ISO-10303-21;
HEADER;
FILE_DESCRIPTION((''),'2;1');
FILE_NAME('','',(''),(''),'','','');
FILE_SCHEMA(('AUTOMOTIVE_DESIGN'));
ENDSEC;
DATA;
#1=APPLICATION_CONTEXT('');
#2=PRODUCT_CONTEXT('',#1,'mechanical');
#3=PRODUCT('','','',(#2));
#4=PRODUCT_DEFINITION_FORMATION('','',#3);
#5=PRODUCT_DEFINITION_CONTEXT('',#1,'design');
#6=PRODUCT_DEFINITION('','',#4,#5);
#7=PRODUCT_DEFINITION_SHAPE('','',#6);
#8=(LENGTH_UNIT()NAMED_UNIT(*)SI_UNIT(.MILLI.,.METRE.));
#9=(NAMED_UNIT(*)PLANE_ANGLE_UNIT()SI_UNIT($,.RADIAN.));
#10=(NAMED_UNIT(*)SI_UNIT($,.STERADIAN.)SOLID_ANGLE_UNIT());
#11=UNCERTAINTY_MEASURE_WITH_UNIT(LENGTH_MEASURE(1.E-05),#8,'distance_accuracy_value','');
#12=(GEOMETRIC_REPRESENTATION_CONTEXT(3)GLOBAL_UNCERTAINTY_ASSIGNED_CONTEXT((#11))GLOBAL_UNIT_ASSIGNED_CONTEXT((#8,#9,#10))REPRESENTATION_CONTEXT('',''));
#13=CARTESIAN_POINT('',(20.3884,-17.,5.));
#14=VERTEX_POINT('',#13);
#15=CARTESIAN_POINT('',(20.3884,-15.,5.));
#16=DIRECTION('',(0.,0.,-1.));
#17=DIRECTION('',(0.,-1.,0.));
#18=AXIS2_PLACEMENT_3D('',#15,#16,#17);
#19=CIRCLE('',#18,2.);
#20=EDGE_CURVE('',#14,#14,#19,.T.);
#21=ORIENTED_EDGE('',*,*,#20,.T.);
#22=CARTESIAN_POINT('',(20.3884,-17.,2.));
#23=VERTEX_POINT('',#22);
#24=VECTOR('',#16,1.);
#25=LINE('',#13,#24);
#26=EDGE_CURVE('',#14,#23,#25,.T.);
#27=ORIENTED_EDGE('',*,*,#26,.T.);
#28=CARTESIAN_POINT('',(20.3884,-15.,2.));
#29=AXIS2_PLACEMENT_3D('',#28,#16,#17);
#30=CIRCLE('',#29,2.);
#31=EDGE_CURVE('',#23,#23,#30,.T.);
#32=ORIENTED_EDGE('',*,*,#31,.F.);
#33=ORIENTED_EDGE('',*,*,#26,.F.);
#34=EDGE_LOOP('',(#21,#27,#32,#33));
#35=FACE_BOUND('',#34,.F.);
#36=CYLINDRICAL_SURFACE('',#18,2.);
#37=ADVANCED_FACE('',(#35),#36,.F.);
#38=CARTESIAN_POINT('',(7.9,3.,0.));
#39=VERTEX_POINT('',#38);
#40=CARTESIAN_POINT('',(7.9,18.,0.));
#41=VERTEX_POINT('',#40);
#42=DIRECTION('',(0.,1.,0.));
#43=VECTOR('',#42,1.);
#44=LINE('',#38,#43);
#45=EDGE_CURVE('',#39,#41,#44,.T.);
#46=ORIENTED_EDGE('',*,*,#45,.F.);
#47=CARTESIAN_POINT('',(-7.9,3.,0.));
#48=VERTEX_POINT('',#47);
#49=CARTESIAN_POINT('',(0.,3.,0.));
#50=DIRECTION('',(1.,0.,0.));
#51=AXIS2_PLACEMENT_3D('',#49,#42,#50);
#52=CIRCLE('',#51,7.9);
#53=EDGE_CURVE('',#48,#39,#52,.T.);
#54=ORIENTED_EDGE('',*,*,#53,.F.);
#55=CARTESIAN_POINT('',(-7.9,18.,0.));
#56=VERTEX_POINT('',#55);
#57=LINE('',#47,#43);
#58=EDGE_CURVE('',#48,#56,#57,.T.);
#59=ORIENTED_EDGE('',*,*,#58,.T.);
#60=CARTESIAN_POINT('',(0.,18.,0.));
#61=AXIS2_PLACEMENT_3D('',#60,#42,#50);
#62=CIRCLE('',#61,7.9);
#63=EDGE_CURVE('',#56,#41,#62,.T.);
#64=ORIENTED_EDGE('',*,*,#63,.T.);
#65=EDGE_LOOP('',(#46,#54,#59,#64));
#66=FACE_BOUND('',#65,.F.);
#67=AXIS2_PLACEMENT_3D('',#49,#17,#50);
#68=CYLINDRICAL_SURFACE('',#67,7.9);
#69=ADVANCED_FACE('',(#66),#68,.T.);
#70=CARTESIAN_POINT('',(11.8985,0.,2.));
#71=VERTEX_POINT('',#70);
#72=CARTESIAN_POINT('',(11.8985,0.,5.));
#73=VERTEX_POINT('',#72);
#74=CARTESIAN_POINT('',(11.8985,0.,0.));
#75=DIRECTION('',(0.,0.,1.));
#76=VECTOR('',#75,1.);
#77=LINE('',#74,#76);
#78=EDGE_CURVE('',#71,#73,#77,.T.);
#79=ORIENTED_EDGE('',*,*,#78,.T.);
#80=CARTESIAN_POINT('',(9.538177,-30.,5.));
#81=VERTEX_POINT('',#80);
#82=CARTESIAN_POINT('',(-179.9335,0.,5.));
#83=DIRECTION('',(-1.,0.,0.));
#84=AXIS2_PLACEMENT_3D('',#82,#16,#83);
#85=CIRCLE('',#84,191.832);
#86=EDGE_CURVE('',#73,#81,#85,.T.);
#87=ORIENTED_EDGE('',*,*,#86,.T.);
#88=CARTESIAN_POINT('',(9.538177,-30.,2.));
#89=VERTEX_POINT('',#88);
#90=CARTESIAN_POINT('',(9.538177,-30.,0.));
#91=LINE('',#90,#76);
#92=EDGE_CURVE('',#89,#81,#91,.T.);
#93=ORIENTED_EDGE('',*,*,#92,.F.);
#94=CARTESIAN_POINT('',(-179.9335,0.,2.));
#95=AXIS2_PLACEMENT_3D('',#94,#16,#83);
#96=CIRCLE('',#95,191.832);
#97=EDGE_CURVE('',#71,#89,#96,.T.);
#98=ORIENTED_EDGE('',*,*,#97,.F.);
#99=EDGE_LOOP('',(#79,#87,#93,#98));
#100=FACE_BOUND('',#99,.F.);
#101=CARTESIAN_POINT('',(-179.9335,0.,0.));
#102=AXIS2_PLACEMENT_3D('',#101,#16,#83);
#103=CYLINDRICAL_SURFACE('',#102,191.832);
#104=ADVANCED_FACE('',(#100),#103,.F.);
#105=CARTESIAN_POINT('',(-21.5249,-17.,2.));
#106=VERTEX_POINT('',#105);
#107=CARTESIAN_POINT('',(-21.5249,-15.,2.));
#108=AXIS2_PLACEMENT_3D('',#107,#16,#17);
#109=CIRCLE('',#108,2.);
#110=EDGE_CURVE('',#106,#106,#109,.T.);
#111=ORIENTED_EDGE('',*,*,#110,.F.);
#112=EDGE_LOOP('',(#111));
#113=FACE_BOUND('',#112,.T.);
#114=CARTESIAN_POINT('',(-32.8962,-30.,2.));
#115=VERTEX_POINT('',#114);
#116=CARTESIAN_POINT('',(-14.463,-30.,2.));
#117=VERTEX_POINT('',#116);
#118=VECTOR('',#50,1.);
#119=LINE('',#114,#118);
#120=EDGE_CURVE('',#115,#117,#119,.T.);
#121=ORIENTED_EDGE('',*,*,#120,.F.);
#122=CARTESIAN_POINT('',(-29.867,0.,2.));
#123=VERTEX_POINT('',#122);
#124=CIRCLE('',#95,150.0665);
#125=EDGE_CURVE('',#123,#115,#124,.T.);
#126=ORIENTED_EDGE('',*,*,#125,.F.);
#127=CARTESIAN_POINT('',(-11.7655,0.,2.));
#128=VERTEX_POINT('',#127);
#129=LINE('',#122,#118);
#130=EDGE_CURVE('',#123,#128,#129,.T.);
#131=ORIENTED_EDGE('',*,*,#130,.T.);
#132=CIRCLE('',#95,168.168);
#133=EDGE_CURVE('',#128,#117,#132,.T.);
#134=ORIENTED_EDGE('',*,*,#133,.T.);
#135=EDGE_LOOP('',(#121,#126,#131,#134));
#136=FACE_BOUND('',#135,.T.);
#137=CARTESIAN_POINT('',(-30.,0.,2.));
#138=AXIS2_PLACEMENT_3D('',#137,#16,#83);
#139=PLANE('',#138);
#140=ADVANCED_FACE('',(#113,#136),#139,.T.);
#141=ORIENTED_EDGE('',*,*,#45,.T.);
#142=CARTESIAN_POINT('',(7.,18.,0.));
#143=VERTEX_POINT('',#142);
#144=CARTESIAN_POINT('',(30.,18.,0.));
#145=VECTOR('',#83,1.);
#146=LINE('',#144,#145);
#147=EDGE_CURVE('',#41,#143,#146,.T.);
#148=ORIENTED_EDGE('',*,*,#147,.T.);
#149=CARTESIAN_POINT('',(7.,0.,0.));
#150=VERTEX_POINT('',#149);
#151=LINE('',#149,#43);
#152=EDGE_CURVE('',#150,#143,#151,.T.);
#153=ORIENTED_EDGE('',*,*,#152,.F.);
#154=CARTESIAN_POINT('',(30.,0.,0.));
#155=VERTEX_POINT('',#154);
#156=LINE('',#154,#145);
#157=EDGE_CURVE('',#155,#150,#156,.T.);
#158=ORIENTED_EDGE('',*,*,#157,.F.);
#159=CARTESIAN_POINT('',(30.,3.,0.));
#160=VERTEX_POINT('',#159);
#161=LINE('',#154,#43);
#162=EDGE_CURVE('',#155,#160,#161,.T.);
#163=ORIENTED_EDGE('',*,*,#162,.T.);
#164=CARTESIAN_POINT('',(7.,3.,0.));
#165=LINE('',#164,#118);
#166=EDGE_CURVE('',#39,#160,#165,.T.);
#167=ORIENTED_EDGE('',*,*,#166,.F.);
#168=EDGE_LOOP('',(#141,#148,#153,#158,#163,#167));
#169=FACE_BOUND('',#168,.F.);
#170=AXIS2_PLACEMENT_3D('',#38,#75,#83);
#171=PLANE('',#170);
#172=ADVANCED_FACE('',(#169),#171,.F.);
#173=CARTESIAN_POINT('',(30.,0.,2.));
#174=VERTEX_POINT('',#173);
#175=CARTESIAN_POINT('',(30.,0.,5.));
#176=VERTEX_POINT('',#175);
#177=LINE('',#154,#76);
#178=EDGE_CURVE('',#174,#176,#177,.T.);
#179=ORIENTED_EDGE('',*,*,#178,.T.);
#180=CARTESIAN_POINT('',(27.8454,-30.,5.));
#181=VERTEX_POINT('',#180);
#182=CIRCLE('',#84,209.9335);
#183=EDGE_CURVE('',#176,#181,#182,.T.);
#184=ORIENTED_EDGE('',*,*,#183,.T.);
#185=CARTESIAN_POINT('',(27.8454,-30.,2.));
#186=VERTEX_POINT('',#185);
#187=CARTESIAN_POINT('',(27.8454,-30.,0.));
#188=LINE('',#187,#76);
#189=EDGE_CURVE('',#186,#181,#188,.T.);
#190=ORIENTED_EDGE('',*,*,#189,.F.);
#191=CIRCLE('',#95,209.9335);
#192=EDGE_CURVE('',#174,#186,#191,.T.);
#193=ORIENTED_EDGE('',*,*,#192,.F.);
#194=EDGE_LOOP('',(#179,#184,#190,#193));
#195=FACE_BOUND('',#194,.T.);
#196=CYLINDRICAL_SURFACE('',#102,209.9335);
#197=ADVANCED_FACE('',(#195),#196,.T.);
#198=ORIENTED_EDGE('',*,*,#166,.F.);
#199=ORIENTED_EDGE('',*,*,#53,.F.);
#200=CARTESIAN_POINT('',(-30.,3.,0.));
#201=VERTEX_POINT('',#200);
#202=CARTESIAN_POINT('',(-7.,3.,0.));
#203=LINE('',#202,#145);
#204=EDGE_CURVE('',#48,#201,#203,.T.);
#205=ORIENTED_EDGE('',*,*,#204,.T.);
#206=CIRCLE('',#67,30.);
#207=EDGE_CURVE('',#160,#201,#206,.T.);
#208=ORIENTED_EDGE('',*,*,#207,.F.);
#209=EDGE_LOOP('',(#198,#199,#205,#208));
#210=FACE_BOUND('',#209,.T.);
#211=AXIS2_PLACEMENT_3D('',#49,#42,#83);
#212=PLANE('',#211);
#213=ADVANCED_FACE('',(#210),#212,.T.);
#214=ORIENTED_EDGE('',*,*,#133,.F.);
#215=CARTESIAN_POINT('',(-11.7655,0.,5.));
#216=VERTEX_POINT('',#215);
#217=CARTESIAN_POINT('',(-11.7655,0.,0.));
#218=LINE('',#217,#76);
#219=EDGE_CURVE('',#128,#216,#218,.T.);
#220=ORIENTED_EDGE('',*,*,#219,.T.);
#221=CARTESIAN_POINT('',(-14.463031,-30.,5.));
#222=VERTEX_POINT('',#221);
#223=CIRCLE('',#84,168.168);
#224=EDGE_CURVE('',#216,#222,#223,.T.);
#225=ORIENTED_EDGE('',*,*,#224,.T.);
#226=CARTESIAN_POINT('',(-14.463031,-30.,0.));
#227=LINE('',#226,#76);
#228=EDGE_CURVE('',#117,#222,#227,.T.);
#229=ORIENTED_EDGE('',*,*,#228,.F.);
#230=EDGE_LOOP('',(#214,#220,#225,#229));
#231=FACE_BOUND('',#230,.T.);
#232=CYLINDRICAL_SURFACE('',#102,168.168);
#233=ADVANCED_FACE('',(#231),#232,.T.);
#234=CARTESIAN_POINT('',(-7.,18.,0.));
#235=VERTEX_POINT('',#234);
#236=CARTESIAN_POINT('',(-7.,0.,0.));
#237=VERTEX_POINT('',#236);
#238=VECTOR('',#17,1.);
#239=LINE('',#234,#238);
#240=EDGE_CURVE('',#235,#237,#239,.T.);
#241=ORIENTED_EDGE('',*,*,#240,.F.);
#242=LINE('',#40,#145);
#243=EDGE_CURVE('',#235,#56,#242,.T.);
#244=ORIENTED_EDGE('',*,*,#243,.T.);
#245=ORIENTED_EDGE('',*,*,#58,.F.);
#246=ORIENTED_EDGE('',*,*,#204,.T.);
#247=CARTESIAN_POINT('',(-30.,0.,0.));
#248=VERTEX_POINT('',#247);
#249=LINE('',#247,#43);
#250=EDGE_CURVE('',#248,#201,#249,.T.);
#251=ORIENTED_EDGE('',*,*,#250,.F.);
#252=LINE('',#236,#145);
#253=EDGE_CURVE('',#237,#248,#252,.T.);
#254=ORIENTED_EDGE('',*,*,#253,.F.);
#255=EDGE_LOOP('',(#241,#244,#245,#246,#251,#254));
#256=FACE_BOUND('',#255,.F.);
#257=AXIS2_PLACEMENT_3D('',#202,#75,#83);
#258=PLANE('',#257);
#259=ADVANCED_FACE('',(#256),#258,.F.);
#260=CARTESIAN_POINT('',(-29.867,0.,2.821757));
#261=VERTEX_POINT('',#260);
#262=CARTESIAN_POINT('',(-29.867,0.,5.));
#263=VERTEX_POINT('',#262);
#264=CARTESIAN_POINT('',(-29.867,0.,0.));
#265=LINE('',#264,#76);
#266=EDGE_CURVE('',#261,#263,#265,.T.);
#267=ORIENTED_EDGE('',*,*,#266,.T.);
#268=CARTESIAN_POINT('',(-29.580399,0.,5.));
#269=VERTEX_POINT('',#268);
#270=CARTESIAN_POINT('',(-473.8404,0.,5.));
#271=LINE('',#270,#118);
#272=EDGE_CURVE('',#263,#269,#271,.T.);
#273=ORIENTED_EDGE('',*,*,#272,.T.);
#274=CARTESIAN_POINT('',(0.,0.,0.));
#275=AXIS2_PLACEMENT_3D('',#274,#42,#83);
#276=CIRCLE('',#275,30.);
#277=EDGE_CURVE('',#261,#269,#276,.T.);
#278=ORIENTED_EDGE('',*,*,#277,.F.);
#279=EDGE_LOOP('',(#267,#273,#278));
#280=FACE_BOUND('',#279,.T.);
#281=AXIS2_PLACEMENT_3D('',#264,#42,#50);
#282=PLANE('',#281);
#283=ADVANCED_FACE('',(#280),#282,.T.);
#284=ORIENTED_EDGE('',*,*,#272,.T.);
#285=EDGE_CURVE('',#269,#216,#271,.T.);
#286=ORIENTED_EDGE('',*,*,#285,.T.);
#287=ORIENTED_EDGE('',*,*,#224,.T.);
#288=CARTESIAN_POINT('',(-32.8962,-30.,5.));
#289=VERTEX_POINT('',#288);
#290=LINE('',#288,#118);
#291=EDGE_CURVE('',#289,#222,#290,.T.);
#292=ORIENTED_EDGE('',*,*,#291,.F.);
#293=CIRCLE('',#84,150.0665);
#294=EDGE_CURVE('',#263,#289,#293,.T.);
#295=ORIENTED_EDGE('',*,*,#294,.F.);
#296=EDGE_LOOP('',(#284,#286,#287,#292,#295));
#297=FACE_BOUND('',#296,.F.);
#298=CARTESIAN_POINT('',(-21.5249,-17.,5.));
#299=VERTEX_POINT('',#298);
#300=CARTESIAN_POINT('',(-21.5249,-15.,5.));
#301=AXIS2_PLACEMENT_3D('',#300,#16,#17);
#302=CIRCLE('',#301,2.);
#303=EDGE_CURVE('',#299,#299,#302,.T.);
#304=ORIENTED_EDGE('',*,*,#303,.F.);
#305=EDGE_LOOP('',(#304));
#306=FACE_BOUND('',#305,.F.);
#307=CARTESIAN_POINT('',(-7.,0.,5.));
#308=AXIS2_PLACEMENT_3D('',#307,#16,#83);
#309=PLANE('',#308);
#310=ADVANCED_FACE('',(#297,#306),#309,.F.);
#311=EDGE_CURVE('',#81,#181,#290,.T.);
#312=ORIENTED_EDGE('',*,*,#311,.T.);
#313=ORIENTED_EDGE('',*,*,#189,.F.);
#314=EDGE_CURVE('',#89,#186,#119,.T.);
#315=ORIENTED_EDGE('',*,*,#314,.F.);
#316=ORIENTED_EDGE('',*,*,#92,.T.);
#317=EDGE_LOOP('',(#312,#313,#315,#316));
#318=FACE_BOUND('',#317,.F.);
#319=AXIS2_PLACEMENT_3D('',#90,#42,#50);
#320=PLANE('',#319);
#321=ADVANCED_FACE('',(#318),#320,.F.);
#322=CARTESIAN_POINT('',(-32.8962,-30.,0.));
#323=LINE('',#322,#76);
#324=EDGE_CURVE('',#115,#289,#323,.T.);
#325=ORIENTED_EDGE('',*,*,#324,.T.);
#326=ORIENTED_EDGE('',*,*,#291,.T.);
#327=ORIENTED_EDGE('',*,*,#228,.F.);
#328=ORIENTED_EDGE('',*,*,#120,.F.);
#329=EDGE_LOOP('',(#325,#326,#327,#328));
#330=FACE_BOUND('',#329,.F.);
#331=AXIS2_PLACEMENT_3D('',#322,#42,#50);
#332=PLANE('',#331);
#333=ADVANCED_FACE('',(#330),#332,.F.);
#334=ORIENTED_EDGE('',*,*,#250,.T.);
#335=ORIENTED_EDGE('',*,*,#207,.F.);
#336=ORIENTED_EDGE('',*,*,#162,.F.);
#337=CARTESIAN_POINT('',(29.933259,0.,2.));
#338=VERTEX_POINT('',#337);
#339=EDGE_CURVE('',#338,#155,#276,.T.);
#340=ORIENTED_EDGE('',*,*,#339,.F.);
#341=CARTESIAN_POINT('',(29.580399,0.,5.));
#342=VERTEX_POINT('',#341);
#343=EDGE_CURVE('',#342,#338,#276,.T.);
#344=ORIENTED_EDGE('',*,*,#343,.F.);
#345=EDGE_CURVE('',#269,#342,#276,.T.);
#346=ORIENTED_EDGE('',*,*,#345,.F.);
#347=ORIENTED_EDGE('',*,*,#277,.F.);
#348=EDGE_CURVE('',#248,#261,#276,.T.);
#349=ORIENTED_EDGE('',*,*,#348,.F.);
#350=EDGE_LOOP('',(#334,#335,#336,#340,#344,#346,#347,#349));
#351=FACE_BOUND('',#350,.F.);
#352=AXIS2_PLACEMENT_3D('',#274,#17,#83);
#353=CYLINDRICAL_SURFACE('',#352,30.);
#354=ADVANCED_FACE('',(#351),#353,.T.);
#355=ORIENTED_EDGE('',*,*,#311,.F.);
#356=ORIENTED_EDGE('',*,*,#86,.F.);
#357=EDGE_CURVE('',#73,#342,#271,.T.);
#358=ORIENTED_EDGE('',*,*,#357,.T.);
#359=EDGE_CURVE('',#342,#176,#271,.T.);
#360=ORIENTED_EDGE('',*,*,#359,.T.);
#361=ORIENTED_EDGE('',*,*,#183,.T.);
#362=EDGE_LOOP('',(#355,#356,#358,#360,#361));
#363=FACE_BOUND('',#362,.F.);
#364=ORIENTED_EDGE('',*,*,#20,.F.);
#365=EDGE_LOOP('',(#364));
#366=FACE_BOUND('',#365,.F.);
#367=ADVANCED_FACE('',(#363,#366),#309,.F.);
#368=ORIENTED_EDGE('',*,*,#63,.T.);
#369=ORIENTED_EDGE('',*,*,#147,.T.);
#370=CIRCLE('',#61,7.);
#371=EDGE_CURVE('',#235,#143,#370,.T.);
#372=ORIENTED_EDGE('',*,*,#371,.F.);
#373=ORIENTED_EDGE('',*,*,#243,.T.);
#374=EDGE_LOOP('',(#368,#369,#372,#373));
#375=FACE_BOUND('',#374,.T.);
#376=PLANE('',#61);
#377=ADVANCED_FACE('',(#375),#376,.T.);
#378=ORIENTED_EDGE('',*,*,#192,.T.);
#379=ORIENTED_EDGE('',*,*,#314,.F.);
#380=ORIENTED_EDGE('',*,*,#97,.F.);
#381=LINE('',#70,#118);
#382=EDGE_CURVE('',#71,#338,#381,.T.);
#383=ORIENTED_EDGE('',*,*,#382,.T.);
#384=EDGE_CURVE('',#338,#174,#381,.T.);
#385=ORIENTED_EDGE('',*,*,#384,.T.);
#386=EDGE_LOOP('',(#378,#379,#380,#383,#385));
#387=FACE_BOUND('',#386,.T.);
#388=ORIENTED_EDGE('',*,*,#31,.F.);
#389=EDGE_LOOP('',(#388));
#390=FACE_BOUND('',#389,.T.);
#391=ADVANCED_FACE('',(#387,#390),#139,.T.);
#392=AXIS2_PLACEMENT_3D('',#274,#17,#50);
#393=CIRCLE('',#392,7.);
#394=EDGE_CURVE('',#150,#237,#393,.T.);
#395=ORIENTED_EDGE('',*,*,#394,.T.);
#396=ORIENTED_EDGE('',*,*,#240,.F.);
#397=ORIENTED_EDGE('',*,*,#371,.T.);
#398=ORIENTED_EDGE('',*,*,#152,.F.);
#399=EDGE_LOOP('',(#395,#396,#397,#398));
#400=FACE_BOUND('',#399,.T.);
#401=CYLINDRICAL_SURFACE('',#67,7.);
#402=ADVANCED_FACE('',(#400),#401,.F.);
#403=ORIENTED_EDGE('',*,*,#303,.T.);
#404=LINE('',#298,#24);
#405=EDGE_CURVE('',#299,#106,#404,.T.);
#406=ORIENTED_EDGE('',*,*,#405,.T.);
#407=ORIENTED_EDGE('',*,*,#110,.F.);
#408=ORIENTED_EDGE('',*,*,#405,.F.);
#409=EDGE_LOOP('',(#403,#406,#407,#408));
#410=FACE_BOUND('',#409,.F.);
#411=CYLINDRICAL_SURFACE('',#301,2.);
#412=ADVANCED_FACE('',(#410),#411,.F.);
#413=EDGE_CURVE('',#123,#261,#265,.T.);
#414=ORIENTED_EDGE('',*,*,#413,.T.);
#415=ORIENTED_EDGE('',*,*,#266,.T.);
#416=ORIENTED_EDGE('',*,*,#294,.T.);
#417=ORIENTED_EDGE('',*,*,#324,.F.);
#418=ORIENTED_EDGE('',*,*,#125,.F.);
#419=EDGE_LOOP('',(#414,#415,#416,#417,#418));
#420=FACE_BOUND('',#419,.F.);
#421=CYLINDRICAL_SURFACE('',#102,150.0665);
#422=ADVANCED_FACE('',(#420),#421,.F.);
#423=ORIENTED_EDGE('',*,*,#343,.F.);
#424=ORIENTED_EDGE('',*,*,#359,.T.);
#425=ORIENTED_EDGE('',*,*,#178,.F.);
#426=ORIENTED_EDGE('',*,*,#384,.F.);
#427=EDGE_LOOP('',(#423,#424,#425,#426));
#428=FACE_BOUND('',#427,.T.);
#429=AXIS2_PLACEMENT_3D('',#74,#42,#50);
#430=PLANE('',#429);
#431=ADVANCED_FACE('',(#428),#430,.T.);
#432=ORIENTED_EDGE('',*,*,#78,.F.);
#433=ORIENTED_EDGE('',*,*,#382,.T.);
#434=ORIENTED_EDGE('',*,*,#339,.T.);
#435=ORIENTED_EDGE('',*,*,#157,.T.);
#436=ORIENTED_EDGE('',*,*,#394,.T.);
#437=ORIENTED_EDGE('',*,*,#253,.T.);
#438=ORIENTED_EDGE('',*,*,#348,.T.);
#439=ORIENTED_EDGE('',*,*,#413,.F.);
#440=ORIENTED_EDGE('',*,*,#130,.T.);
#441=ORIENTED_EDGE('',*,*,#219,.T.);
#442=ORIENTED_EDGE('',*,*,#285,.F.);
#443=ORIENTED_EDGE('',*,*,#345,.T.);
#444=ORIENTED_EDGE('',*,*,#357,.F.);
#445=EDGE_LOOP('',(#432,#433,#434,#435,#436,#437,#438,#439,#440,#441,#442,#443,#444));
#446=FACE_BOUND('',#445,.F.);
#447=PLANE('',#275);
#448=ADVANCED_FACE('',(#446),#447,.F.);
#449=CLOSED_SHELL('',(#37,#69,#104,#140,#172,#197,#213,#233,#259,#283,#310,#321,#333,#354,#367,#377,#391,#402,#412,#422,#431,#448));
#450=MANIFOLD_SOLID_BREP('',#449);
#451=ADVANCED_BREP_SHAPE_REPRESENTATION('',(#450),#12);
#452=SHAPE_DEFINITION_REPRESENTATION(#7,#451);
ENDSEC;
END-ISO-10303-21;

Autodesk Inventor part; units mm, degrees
ref_plane "YZ Plane" through (0, 0, 0) normal (1, 0, 0) x (0, 1, 0)
ref_plane "XZ Plane" through (0, 0, 0) normal (0, 1, 0) x (-1, 0, 0)
ref_plane "XY Plane" through (0, 0, 0) normal (0, 0, 1) x (1, 0, 0)
sketch "Skizze1" plane through (0, 0, 0) normal (0, 1, 0) x (-1, 0, 0)
  circle A0 centre (0, 0) radius 30
  circle A1 centre (0, 0) radius 7
  line L0 (7, 0) -> (30, 0)
  line L1 (-7, 0) -> (-30, 0)
  line L2 (42, 0) -> (-42, 0) projected
  line L3 (0, -42) -> (0, 42) projected
  dimension "d0" = 60
  dimension "d1" = 14
  dimension "d2" = 0
extrude "Extrusion1" add sketch "Skizze1" along normal blind 3 contours L0 A1 L3 A0 | L3 A1 L1 A0 picked at (15.508, 15.8775) picked at (-21.0338, 7.0833)
sketch "Skizze3" plane through (0, 3, 0) normal (0, 1, 0) x (1, 0, 0)
  circle A0 centre (0, 0) radius 7.9
  circle A1 centre (0, 0) radius 7
  arc A2 (-7, 0) -> (7, 0) centre (0, 0) ccw projected
  line L0 (30, 0) -> (7, 0) projected
  line L1 (7.9, 0) -> (-7.9, 0)
  dimension "d13" = 15.8
extrude "Extrusion3" add sketch "Skizze3" along normal blind 15 contours A0 L1 A1 L0 picked at (7.5235, -0.6302)
sketch "Skizze7" plane through (-7, 0, 0) normal (0, 0, -1) x (-1, 0, 0)
  line L0 (466.8404, 0) -> (-120.9734, 0) projected
  line L1 (-7, -293.9069) -> (-7, 293.9069) projected
  line L2 (-37, 0) -> (-37, 3) projected
  circle A0 centre (172.9335, 0) radius 209.9335
  circle A1 centre (172.9335, 0) radius 191.832
  circle A2 centre (172.9335, 0) radius 168.168
  circle A3 centre (172.9335, 0) radius 150.0665
  line L3 (25.8962, -30) -> (-34.8454, -30)
  line L4 (0, 0) -> (23, 0) projected
  point P0 (-7, 0)
  point P1 (11.5, 0)
  point P2 (-16.5382, -30)
  point P3 (-18.8985, 0)
  point P4 (7.463, -30)
  point P5 (22.867, 0)
  point P6 (4.7655, 0)
  dimension "d45" = 419.867
  dimension "d48" = 300.133
  dimension "d46" = 383.664
  dimension "d47" = 336.336
  dimension "d49" = 30
extrude "Extrusion6" add sketch "Skizze7" against normal blind 5 contours L0 A1 L3 A0 | L0 A3 L3 A2 picked at (19.1917, -26.6918)
sketch "Skizze8" plane through (-30, 0, 0) normal (0, 0, -1) x (-1, 0, 0)
  circle A0 centre (149.9335, 0) radius 209.9335
  circle A1 centre (149.9335, 0) radius 191.832
  circle A2 centre (149.9335, 0) radius 168.168
  circle A3 centre (149.9335, 0) radius 150.0665
  arc A4 (-60, 0) -> (-57.8454, -30) centre (149.9335, 0) ccw projected
  line L0 (2.8962, -30) -> (-15.537, -30) projected
  line L1 (2.8962, -30) -> (-57.8454, -30)
  line L2 (-0.4196, 0) -> (-18.2345, 0) projected
  line L3 (-0.4196, 0) -> (-60, 0)
  line L4 (-0.4196, 0) -> (-59.5804, 0) projected
  line L5 (-0.4196, 0) -> (-0.133, 0)
  point P0 (-30, 0)
  point P1 (-211.1665, -40.8606)
  point P2 (-213.5268, -10.8606)
  point P3 (-231.6283, -10.8606)
  point P4 (-187.1653, -40.8606)
  point P5 (-171.7613, -10.8606)
  point P6 (-189.8628, -10.8606)
  point P7 (-41.8985, 0)
  point P8 (-57.8454, -30)
  point P9 (-39.5382, -30)
  dimension "d52" = 419.867
  dimension "d53" = 383.664
  dimension "d54" = 336.336
  dimension "d55" = 300.133
extrude "Extrusion7" cut sketch "Skizze8" against normal blind 2 contours L3 A1 L1 A0 | A2 L2 L5 A3 L0 picked at (-46.0773, -26.6819) picked at (-3.8083, -26.6918)
sketch "Skizze9" plane through (-7, 0, 5) normal (0, 0, 1) x (1, 0, 0)
  circle A0 centre (-172.9335, 0) radius 200.8827
  line L0 (-456.0871, 0) -> (119.8088, 0) projected
  line L1 (7, -281.2359) -> (7, 281.2359) projected
  arc A1 (34.8454, -30) -> (37, 0) centre (-172.9335, 0) ccw projected
  circle A2 centre (-172.9335, 0) radius 159.1173
  point P0 (7, 0)
  point P1 (-14.5249, -15)
  point P2 (27.3884, -15)
  dimension "d59" = 401.7655
  dimension "d60" = 318.2345
  dimension "d61" = 15
  dimension "d62" = 15
hole "Bohrung2" at (-21.5249, -15, 5) at (20.3884, -15, 5) direction (0, 0, -1) diameter 4 depth 10 tip angle 118
properties part number "Verbindungsstück-links-15mm-Ph-L"
